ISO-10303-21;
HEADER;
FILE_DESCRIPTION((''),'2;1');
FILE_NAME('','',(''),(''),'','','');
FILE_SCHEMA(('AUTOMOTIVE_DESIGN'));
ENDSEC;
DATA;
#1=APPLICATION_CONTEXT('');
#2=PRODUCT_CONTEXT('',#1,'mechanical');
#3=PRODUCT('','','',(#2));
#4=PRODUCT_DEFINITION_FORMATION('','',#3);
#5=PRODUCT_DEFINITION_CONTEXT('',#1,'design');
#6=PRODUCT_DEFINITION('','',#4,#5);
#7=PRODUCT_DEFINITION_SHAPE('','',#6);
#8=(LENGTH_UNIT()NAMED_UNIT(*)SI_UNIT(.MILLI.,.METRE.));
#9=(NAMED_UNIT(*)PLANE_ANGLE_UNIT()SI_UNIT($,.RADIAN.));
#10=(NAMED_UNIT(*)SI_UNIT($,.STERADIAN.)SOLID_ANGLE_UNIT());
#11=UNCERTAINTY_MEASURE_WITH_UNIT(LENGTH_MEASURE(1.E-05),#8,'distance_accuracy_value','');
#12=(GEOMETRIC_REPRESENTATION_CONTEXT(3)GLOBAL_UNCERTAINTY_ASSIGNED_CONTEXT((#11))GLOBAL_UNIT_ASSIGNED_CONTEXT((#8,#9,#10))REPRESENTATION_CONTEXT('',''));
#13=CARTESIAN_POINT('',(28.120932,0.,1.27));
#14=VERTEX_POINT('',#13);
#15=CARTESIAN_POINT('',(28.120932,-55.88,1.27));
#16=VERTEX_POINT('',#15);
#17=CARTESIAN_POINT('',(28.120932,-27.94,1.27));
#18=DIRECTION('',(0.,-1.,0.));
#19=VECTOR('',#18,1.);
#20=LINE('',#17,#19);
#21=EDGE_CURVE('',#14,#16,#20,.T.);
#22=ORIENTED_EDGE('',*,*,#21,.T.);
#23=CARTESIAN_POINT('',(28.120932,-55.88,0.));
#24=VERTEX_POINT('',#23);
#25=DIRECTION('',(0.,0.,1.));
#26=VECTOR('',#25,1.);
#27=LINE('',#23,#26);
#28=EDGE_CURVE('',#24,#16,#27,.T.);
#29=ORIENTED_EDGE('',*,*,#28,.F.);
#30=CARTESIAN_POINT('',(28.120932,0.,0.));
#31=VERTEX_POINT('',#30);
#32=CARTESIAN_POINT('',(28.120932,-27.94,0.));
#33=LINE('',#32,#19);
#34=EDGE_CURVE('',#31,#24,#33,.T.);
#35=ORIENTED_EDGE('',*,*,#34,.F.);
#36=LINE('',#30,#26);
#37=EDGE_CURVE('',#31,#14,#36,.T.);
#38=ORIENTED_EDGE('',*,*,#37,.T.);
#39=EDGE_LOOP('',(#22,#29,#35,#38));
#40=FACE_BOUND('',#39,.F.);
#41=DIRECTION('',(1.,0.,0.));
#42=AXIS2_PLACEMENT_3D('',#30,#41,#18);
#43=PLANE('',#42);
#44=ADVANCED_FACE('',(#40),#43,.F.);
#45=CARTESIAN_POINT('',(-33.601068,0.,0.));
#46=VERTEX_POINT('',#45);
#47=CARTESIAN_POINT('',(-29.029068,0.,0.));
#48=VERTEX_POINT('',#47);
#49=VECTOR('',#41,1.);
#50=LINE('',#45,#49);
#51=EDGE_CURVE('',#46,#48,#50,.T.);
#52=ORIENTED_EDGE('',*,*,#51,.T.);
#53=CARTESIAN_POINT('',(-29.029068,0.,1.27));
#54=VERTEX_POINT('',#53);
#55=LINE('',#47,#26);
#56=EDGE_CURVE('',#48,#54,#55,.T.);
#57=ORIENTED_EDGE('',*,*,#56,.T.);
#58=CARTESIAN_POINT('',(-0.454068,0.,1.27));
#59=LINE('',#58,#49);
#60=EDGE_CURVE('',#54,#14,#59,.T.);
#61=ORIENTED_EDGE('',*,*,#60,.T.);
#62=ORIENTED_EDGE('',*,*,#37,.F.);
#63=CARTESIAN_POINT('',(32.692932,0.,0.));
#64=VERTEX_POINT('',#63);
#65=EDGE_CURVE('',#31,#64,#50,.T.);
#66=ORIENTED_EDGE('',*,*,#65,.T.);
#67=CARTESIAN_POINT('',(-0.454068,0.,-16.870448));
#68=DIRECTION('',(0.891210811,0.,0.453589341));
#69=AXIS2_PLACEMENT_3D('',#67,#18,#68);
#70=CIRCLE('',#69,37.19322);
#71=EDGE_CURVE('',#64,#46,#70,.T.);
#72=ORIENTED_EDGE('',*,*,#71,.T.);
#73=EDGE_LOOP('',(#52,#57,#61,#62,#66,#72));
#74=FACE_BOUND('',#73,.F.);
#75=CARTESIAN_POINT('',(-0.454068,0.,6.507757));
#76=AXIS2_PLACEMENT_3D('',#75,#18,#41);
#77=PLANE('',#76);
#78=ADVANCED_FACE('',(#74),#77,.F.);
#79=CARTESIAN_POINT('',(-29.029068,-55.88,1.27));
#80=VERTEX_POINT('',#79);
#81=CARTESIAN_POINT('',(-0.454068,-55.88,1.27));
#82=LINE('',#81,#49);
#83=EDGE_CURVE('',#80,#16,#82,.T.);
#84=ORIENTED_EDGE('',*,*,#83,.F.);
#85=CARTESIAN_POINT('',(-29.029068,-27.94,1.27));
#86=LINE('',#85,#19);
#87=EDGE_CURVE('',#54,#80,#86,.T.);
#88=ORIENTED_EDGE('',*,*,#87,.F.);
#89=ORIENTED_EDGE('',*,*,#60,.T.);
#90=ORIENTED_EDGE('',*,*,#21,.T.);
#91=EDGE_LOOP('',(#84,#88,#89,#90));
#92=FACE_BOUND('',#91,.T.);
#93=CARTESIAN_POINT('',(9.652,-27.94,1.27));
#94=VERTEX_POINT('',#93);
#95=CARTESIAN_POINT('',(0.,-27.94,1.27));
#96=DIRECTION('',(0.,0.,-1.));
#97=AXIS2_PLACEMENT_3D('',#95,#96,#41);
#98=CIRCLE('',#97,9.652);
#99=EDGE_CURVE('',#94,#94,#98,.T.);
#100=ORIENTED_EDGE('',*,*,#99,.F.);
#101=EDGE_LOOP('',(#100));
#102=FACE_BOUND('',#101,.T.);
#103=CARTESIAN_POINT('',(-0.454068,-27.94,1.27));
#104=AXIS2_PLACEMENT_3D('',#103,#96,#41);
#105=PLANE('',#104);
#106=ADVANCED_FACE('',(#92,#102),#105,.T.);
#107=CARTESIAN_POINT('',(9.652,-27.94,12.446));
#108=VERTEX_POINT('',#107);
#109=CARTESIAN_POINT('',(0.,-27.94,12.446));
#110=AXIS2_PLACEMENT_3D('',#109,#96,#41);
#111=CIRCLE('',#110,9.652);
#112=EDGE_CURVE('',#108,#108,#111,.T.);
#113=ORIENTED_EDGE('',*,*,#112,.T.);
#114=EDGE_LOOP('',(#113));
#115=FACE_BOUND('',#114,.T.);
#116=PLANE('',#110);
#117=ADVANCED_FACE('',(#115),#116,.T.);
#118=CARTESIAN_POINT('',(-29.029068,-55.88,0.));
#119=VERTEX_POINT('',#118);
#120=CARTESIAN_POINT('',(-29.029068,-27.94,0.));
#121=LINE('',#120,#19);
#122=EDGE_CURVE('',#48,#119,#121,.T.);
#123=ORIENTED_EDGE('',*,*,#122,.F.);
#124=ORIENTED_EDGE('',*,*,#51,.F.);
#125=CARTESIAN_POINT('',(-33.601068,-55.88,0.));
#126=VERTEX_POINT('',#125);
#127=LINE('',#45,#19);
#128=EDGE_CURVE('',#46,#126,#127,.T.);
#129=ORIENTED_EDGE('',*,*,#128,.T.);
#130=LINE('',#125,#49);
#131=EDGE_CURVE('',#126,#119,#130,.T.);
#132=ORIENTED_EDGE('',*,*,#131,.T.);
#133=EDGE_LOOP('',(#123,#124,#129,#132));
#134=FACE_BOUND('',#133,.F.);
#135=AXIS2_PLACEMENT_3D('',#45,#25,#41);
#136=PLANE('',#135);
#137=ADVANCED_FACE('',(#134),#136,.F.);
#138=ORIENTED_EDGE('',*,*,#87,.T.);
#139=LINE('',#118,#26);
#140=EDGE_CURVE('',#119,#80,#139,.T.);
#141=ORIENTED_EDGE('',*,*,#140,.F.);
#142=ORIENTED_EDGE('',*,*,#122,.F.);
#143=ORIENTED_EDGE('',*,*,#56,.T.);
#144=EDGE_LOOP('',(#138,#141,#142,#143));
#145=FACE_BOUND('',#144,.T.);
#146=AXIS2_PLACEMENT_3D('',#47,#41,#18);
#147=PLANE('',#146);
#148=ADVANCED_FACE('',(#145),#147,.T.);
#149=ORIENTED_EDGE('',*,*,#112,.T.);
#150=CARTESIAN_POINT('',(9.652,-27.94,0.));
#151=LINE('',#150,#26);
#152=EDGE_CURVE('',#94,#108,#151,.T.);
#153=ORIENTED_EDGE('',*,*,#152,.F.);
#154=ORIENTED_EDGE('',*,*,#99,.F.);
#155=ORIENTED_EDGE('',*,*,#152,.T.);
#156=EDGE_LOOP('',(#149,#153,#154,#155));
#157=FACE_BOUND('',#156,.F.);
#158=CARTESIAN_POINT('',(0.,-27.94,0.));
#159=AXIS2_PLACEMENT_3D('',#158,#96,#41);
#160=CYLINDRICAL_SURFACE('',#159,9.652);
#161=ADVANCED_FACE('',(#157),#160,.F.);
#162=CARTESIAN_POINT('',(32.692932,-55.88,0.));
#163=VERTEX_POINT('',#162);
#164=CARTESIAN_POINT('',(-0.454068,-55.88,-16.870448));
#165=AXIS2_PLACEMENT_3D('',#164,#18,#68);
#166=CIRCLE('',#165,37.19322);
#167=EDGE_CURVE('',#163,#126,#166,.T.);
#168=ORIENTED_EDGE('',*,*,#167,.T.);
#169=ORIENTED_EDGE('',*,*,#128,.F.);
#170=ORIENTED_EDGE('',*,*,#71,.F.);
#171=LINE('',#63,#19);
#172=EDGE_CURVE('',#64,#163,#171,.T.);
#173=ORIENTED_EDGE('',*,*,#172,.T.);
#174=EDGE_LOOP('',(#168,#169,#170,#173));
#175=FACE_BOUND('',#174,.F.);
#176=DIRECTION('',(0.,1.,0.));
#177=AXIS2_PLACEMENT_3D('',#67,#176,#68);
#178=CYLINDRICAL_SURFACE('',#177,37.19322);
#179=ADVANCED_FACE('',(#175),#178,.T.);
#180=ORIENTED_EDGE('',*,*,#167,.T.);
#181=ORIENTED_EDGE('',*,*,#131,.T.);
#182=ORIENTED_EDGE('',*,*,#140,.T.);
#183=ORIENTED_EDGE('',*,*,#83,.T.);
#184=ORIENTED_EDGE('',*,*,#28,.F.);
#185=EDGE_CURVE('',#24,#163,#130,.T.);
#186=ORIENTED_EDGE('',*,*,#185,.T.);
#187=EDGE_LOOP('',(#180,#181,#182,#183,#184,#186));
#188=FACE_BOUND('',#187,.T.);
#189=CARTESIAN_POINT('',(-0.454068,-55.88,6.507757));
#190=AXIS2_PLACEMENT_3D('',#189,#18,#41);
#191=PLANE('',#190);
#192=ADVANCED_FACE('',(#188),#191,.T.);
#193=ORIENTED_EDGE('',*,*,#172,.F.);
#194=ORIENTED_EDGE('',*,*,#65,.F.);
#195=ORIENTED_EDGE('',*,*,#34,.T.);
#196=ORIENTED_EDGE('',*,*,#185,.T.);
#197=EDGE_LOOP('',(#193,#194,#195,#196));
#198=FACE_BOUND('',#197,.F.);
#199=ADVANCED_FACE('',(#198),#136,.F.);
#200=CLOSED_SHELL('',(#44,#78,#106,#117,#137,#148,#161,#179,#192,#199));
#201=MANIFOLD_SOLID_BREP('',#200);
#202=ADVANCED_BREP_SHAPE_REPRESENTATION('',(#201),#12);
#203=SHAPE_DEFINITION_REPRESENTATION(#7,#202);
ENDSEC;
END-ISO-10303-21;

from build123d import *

# Parameters (mm, degrees)
F1_DEPTH = 55.88
F2_R     = 9.652
F3_DEPTH = 12.446
F4_W     = 57.15
F4_H     = 55.88
F5_DEPTH = 1.27


with BuildPart() as f1:
    # F0 (on Front) → F1 (new body)
    with BuildSketch(Plane.XZ):
        with BuildLine():
            Line((-33.601068, 0), (32.692932, 0))
            ThreePointArc((32.692932, 0), (-0.454068, 20.322772), (-33.601068, 0))
        make_face()
    extrude(amount=F1_DEPTH)

    # F2 (on face) → F3 (cut)
    with BuildSketch(Plane(origin=(0, 0, 0), x_dir=(1, 0, 0), z_dir=(0, 0, -1))):
        with Locations((0, 27.94)):
            Circle(F2_R)
    extrude(amount=-F3_DEPTH, mode=Mode.SUBTRACT)

    # F4 (on face) → F5 (cut)
    with BuildSketch(Plane(origin=(0, 0, 0), x_dir=(1, 0, 0), z_dir=(0, 0, -1))):
        with Locations((-0.454068, 27.94)):
            Rectangle(F4_W, F4_H)
    extrude(amount=-F5_DEPTH, mode=Mode.SUBTRACT)


solid = f1.part
